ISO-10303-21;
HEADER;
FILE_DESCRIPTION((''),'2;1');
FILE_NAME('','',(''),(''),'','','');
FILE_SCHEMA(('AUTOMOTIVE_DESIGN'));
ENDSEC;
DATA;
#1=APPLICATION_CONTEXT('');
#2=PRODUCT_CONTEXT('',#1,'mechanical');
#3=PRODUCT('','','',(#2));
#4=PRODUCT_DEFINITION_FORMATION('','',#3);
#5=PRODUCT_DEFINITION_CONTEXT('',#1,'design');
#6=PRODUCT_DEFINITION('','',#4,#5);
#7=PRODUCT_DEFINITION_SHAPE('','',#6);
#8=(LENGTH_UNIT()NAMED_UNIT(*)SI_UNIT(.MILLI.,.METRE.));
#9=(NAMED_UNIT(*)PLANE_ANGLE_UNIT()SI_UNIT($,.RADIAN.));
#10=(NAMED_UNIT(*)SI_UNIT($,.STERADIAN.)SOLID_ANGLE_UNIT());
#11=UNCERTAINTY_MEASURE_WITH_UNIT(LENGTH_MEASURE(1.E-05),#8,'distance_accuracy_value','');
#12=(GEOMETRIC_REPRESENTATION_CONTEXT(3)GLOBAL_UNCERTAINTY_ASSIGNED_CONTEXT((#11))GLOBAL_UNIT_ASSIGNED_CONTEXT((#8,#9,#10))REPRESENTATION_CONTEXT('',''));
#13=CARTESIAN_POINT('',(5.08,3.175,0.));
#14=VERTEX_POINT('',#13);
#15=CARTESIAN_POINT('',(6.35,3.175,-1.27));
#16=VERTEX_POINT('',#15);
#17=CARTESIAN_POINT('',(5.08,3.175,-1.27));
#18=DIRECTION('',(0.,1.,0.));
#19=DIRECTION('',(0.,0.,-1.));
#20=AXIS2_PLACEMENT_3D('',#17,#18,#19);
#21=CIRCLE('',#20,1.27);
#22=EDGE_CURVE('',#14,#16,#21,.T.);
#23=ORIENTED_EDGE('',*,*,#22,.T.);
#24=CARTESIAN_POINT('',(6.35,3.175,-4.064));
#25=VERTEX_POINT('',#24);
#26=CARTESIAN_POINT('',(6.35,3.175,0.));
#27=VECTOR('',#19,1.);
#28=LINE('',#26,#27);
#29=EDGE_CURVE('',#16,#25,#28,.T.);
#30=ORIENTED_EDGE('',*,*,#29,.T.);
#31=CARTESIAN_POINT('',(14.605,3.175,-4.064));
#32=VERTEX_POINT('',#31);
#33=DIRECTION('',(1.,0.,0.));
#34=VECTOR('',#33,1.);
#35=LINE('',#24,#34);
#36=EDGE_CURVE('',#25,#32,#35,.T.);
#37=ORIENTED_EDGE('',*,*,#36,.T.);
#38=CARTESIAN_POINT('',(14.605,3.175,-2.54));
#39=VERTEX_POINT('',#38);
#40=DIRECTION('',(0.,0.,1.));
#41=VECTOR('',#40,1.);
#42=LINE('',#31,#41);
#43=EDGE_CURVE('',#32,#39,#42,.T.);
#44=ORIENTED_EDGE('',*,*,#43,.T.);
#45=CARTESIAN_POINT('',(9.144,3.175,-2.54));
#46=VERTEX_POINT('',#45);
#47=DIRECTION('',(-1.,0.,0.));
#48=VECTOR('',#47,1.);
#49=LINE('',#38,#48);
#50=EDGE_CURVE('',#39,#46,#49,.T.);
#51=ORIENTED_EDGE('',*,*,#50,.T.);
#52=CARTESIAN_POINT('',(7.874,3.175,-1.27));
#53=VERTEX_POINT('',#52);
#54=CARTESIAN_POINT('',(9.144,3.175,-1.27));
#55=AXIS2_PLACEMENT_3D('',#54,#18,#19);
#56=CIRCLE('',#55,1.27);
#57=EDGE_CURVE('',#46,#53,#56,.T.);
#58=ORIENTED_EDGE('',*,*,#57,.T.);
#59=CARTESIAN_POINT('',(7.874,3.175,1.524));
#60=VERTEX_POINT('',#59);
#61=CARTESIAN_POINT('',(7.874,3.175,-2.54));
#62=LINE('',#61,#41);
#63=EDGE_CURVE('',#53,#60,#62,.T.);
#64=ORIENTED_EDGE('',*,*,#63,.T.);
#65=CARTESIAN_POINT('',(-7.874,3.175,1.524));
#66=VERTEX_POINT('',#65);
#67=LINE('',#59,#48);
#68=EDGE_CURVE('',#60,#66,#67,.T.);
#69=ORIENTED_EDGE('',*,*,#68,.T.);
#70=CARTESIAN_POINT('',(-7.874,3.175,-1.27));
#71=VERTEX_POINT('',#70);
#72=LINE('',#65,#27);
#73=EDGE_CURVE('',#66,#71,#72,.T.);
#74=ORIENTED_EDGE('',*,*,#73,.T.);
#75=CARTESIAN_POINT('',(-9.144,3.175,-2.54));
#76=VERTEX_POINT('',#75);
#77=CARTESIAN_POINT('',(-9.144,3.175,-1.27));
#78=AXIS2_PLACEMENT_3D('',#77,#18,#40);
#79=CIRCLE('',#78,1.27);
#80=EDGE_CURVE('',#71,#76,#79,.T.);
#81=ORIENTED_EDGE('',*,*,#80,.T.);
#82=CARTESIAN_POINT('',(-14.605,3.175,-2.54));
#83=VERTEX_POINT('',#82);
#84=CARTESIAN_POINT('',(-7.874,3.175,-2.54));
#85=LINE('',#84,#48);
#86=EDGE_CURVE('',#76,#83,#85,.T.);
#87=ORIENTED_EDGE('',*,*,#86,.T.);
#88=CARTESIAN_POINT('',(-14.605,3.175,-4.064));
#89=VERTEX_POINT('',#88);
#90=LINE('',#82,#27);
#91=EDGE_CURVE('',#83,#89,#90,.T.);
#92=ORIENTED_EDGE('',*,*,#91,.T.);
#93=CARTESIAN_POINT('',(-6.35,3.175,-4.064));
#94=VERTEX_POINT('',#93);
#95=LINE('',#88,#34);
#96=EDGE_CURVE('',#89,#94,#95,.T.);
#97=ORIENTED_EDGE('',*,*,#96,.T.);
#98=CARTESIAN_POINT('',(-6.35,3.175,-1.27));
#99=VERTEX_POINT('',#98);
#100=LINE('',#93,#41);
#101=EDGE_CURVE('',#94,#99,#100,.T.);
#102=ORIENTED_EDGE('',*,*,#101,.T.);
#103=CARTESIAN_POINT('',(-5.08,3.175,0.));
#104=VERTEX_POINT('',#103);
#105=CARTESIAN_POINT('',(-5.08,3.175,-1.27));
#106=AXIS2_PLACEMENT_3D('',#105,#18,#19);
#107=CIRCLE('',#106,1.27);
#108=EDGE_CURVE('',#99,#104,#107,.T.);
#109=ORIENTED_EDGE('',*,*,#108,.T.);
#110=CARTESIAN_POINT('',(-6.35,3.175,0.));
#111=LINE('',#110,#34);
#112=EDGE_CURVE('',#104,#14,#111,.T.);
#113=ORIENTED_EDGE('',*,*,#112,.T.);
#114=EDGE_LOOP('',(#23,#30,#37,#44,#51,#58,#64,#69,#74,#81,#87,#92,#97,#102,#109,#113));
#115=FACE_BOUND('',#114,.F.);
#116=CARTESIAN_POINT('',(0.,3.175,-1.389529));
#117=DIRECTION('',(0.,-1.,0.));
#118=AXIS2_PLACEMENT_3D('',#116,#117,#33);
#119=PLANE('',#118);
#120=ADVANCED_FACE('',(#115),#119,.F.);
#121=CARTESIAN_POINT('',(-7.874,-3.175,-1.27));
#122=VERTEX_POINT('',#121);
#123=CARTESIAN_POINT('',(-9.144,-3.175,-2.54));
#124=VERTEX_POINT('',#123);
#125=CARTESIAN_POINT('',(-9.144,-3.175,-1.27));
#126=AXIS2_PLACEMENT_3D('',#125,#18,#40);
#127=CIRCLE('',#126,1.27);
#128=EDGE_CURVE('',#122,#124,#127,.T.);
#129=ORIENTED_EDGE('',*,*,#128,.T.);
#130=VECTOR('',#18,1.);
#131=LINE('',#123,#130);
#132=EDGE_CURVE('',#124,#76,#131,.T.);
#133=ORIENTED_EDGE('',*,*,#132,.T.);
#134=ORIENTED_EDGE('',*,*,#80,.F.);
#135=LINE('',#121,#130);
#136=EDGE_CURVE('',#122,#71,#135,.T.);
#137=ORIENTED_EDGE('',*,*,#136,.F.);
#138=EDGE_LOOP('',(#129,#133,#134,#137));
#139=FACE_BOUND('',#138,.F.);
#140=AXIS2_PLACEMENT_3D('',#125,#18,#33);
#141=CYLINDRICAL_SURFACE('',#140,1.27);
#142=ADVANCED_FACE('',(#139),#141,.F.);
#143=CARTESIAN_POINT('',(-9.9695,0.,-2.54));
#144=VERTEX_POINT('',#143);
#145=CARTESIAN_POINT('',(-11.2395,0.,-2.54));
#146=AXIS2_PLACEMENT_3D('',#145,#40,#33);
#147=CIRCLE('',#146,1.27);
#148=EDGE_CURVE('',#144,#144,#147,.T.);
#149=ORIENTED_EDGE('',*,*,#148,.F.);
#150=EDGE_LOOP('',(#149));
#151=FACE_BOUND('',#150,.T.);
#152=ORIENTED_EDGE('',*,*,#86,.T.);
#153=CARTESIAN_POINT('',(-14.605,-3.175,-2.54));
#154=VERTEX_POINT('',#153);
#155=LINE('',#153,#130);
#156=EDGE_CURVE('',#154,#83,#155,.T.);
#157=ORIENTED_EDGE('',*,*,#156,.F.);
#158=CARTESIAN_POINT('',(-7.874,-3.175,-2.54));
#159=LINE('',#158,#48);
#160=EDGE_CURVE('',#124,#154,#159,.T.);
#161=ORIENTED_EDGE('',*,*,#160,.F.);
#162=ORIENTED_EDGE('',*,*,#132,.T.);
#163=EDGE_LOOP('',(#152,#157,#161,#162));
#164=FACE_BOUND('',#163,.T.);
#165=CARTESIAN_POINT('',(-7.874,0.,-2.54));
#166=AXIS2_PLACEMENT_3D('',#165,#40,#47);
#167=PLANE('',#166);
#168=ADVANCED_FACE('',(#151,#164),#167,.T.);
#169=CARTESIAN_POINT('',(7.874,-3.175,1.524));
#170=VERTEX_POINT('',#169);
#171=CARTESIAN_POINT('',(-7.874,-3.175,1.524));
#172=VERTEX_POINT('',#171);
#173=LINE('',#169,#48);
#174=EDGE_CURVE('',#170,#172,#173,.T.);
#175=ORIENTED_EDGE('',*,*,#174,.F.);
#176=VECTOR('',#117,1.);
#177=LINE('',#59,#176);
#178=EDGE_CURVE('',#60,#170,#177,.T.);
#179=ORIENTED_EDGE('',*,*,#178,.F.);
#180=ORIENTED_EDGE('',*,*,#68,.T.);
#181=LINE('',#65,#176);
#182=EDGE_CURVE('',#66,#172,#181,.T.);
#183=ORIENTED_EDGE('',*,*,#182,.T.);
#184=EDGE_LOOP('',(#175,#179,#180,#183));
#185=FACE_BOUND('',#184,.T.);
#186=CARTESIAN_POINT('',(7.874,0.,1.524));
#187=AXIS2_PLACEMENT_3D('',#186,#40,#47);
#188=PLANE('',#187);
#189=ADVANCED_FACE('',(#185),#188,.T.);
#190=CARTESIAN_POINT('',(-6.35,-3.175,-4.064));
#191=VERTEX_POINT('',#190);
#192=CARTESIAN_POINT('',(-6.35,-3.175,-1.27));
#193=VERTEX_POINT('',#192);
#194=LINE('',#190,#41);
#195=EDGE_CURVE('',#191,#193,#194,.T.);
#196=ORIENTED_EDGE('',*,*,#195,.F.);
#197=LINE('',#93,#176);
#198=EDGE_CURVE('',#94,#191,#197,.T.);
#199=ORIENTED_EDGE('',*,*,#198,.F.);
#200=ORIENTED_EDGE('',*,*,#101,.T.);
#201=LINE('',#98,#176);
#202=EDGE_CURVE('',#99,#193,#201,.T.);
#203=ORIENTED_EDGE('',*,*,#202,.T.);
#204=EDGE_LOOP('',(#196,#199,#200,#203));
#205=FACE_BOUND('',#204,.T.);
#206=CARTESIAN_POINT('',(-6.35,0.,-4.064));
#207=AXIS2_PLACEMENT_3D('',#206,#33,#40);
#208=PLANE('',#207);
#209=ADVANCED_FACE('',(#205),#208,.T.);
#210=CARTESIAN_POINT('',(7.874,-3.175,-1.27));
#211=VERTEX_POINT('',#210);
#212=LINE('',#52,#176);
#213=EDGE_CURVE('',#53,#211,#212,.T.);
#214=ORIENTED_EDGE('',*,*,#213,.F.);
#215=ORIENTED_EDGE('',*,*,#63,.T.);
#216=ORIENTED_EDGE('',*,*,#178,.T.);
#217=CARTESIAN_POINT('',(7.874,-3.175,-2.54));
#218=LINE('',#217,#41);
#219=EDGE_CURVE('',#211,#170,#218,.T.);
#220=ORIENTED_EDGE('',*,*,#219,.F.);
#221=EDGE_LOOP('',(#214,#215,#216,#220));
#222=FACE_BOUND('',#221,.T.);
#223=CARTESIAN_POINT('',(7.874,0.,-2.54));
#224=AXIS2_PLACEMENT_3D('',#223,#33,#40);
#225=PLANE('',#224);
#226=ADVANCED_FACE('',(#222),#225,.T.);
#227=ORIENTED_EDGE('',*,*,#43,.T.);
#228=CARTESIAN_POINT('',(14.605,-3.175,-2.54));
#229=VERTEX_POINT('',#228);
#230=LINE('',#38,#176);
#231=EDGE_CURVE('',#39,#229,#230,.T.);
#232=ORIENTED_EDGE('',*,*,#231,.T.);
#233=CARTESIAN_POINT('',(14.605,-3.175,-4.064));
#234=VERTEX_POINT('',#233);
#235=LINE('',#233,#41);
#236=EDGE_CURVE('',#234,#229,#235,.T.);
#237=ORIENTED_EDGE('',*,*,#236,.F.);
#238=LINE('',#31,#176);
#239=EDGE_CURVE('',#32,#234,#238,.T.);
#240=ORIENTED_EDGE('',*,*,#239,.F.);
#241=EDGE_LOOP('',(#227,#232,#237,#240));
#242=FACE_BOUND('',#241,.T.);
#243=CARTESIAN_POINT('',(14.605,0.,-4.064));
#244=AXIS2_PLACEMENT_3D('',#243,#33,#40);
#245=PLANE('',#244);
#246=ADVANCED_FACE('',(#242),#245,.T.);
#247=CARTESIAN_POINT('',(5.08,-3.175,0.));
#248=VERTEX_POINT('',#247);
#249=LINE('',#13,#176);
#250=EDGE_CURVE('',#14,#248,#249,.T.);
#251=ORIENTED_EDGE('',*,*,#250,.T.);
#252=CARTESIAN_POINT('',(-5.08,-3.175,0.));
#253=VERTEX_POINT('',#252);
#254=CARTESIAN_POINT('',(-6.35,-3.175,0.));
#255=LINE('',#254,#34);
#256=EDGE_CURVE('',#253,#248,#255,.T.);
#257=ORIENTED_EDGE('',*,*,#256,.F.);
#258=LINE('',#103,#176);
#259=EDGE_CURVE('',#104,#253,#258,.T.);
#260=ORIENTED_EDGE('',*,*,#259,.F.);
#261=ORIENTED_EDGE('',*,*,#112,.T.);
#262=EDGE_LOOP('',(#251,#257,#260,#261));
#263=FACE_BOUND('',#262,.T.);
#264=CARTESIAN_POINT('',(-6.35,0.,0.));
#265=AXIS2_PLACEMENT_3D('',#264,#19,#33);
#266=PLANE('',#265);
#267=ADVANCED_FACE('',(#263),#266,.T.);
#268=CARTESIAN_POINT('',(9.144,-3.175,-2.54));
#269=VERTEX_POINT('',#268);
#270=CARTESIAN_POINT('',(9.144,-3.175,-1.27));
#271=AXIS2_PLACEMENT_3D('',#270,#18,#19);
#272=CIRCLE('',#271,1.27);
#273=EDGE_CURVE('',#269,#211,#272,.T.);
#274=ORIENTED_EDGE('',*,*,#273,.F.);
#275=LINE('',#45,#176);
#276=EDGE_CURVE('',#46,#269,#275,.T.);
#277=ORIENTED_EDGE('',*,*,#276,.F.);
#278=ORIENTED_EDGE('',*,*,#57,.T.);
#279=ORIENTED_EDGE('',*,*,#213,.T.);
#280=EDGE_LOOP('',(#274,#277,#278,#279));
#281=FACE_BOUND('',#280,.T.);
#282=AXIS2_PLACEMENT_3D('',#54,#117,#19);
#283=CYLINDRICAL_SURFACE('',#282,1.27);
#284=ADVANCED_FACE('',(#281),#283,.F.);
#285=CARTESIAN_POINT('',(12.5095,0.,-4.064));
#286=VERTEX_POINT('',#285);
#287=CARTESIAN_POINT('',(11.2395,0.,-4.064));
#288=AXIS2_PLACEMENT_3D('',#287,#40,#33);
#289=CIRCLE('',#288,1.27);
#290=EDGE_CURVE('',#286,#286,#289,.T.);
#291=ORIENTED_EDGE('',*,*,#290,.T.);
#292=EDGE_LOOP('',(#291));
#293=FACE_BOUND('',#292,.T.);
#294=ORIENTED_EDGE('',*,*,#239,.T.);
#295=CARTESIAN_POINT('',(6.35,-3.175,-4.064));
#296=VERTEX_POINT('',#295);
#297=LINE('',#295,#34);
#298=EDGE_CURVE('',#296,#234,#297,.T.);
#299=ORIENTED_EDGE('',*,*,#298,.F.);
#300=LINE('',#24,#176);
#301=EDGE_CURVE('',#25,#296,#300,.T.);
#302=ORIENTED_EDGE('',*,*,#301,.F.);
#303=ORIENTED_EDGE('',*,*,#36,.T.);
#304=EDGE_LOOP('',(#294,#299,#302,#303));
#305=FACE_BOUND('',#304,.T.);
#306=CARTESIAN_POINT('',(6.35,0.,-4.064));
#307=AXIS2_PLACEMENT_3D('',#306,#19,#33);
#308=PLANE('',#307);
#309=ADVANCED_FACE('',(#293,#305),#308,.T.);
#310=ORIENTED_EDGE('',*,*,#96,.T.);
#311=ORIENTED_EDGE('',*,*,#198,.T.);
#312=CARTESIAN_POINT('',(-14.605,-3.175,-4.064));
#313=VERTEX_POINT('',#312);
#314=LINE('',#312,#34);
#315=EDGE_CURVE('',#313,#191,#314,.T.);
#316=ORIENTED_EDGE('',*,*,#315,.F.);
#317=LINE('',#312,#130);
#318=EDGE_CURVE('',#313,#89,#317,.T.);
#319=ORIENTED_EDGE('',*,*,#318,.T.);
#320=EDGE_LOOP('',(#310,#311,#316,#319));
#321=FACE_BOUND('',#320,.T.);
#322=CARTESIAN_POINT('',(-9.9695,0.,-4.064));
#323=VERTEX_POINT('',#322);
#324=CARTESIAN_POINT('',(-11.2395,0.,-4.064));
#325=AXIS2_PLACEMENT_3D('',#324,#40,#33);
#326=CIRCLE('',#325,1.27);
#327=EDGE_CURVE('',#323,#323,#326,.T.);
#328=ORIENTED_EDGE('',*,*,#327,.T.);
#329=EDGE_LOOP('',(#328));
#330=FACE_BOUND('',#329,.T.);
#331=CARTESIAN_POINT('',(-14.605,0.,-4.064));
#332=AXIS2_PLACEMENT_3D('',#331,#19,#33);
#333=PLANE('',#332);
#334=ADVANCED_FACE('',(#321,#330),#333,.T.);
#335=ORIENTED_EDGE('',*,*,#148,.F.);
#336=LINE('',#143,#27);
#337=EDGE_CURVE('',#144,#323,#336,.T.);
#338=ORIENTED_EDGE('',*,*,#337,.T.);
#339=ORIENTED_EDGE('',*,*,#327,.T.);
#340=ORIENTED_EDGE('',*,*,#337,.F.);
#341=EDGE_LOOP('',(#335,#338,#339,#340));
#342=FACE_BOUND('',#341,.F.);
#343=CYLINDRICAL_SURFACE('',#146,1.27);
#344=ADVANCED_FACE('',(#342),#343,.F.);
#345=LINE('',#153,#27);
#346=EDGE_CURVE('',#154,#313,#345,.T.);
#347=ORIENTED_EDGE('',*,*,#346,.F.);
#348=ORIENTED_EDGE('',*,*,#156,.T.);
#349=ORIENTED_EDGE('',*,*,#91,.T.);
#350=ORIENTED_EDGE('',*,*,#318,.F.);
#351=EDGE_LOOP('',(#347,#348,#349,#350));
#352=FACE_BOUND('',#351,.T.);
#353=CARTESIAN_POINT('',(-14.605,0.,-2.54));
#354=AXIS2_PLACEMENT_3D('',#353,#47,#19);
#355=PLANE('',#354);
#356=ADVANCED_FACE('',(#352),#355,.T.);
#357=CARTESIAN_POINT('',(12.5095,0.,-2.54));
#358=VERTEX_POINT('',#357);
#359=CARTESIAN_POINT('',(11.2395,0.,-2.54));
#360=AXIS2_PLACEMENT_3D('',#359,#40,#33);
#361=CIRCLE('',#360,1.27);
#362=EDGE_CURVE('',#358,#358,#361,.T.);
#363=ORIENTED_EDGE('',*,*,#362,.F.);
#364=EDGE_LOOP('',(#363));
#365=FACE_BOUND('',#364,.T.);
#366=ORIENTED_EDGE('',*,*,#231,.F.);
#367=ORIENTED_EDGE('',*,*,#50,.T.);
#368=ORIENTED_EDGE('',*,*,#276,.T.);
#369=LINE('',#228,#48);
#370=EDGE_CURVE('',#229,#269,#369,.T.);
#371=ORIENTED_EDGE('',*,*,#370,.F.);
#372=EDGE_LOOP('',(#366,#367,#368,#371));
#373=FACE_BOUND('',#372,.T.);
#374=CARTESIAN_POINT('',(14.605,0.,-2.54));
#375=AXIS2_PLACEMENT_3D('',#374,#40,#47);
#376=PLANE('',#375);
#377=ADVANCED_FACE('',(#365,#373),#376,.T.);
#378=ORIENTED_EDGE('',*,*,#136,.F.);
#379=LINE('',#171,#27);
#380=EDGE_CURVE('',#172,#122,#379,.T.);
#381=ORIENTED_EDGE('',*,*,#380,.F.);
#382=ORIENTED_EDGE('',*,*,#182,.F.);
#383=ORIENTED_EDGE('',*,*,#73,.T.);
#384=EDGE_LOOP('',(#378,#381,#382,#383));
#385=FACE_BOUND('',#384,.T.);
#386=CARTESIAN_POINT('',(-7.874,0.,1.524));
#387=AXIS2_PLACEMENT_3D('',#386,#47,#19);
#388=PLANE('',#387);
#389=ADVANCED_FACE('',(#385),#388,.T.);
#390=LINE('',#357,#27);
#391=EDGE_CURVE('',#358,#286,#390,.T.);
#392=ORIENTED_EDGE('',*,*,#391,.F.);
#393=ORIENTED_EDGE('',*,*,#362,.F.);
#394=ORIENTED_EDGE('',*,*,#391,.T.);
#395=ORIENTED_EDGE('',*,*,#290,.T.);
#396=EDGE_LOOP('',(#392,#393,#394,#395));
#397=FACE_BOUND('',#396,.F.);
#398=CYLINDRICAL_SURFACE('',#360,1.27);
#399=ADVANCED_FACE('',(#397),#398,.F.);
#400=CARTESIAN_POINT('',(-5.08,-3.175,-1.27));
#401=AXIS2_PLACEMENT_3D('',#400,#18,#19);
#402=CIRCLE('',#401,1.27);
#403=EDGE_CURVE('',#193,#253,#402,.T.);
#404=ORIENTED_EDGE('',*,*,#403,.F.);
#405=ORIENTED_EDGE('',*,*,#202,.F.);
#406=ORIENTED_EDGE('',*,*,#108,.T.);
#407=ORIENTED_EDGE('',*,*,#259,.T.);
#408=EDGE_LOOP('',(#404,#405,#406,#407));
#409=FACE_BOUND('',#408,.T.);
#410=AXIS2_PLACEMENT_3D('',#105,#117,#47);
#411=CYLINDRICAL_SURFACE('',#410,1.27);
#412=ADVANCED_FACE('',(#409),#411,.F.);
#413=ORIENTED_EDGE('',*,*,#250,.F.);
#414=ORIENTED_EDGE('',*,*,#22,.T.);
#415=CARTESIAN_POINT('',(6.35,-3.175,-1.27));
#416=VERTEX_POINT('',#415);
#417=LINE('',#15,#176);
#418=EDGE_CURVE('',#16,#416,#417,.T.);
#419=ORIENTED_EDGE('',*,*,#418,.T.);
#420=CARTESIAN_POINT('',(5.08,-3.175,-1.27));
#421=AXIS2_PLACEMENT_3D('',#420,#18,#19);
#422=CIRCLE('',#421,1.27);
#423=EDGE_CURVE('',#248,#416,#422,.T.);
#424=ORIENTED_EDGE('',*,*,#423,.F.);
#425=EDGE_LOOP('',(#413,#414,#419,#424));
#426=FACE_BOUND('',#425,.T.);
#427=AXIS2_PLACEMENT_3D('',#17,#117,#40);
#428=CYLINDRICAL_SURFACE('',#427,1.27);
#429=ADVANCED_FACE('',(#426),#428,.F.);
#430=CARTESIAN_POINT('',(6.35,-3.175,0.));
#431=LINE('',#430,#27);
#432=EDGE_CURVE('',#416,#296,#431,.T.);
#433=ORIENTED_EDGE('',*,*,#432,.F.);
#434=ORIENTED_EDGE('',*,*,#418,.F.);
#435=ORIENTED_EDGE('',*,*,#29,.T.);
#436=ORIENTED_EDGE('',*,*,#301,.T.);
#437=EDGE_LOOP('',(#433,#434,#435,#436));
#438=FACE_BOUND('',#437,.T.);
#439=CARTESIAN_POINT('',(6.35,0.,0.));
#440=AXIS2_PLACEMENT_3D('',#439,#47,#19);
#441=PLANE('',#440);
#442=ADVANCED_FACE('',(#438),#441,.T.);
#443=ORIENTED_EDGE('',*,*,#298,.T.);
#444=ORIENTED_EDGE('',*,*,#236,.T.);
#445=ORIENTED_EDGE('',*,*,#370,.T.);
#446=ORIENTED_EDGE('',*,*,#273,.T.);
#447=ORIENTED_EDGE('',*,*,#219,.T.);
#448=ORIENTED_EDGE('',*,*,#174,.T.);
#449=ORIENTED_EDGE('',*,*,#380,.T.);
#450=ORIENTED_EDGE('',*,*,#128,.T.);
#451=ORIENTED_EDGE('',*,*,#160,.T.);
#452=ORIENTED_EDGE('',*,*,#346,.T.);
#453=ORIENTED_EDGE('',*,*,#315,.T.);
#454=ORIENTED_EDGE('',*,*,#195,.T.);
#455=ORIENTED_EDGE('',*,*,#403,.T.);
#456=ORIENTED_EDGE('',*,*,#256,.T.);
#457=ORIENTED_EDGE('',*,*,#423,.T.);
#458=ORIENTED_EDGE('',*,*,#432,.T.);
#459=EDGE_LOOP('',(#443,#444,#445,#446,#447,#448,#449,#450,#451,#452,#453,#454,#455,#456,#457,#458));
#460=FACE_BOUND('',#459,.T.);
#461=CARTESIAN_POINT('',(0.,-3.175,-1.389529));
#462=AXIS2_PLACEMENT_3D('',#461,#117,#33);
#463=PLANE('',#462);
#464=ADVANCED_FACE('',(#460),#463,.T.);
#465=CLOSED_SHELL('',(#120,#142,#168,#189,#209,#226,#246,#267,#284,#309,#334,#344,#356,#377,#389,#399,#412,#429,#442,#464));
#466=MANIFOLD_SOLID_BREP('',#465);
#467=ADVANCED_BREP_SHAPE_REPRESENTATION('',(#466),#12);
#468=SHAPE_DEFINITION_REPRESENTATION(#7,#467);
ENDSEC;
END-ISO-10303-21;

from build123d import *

# Parameters (mm, degrees)
F1_DEPTH = 3.175
F2_R     = 1.27
F3_DEPTH = 1.524
F4_R     = 1.27


with BuildPart() as f1:
    # F0 (on Front) → F1 (new body, symmetric)
    with BuildSketch(Plane.XZ):
        Polygon((-14.605, -4.064), (-6.35, -4.064), (-6.35, 0), (6.35, 0), (6.35, -4.064), (14.605, -4.064), (14.605, -2.54), (7.874, -2.54), (7.874, 1.524), (-7.874, 1.524), (-7.874, -2.54), (-14.605, -2.54), align=None)
    extrude(amount=F1_DEPTH, both=True)

    # F2 (on face) → F3 (cut, through all)
    with BuildSketch(Plane.XY.offset(-2.54)):
        with Locations((-11.2395, 0)):
            Circle(F2_R)
        with Locations((11.2395, 0)):
            Circle(F2_R)
    extrude(amount=-F3_DEPTH, mode=Mode.SUBTRACT)

    # F4
    f4_edges = [f1.edges().sort_by_distance(p)[0] for p in [
        (-6.35, 0, 0),
        (6.35, 0, 0),
        (-7.874, 0, -2.54),
        (7.874, 0, -2.54),
    ]]
    fillet(f4_edges, radius=F4_R)


solid = f1.part
